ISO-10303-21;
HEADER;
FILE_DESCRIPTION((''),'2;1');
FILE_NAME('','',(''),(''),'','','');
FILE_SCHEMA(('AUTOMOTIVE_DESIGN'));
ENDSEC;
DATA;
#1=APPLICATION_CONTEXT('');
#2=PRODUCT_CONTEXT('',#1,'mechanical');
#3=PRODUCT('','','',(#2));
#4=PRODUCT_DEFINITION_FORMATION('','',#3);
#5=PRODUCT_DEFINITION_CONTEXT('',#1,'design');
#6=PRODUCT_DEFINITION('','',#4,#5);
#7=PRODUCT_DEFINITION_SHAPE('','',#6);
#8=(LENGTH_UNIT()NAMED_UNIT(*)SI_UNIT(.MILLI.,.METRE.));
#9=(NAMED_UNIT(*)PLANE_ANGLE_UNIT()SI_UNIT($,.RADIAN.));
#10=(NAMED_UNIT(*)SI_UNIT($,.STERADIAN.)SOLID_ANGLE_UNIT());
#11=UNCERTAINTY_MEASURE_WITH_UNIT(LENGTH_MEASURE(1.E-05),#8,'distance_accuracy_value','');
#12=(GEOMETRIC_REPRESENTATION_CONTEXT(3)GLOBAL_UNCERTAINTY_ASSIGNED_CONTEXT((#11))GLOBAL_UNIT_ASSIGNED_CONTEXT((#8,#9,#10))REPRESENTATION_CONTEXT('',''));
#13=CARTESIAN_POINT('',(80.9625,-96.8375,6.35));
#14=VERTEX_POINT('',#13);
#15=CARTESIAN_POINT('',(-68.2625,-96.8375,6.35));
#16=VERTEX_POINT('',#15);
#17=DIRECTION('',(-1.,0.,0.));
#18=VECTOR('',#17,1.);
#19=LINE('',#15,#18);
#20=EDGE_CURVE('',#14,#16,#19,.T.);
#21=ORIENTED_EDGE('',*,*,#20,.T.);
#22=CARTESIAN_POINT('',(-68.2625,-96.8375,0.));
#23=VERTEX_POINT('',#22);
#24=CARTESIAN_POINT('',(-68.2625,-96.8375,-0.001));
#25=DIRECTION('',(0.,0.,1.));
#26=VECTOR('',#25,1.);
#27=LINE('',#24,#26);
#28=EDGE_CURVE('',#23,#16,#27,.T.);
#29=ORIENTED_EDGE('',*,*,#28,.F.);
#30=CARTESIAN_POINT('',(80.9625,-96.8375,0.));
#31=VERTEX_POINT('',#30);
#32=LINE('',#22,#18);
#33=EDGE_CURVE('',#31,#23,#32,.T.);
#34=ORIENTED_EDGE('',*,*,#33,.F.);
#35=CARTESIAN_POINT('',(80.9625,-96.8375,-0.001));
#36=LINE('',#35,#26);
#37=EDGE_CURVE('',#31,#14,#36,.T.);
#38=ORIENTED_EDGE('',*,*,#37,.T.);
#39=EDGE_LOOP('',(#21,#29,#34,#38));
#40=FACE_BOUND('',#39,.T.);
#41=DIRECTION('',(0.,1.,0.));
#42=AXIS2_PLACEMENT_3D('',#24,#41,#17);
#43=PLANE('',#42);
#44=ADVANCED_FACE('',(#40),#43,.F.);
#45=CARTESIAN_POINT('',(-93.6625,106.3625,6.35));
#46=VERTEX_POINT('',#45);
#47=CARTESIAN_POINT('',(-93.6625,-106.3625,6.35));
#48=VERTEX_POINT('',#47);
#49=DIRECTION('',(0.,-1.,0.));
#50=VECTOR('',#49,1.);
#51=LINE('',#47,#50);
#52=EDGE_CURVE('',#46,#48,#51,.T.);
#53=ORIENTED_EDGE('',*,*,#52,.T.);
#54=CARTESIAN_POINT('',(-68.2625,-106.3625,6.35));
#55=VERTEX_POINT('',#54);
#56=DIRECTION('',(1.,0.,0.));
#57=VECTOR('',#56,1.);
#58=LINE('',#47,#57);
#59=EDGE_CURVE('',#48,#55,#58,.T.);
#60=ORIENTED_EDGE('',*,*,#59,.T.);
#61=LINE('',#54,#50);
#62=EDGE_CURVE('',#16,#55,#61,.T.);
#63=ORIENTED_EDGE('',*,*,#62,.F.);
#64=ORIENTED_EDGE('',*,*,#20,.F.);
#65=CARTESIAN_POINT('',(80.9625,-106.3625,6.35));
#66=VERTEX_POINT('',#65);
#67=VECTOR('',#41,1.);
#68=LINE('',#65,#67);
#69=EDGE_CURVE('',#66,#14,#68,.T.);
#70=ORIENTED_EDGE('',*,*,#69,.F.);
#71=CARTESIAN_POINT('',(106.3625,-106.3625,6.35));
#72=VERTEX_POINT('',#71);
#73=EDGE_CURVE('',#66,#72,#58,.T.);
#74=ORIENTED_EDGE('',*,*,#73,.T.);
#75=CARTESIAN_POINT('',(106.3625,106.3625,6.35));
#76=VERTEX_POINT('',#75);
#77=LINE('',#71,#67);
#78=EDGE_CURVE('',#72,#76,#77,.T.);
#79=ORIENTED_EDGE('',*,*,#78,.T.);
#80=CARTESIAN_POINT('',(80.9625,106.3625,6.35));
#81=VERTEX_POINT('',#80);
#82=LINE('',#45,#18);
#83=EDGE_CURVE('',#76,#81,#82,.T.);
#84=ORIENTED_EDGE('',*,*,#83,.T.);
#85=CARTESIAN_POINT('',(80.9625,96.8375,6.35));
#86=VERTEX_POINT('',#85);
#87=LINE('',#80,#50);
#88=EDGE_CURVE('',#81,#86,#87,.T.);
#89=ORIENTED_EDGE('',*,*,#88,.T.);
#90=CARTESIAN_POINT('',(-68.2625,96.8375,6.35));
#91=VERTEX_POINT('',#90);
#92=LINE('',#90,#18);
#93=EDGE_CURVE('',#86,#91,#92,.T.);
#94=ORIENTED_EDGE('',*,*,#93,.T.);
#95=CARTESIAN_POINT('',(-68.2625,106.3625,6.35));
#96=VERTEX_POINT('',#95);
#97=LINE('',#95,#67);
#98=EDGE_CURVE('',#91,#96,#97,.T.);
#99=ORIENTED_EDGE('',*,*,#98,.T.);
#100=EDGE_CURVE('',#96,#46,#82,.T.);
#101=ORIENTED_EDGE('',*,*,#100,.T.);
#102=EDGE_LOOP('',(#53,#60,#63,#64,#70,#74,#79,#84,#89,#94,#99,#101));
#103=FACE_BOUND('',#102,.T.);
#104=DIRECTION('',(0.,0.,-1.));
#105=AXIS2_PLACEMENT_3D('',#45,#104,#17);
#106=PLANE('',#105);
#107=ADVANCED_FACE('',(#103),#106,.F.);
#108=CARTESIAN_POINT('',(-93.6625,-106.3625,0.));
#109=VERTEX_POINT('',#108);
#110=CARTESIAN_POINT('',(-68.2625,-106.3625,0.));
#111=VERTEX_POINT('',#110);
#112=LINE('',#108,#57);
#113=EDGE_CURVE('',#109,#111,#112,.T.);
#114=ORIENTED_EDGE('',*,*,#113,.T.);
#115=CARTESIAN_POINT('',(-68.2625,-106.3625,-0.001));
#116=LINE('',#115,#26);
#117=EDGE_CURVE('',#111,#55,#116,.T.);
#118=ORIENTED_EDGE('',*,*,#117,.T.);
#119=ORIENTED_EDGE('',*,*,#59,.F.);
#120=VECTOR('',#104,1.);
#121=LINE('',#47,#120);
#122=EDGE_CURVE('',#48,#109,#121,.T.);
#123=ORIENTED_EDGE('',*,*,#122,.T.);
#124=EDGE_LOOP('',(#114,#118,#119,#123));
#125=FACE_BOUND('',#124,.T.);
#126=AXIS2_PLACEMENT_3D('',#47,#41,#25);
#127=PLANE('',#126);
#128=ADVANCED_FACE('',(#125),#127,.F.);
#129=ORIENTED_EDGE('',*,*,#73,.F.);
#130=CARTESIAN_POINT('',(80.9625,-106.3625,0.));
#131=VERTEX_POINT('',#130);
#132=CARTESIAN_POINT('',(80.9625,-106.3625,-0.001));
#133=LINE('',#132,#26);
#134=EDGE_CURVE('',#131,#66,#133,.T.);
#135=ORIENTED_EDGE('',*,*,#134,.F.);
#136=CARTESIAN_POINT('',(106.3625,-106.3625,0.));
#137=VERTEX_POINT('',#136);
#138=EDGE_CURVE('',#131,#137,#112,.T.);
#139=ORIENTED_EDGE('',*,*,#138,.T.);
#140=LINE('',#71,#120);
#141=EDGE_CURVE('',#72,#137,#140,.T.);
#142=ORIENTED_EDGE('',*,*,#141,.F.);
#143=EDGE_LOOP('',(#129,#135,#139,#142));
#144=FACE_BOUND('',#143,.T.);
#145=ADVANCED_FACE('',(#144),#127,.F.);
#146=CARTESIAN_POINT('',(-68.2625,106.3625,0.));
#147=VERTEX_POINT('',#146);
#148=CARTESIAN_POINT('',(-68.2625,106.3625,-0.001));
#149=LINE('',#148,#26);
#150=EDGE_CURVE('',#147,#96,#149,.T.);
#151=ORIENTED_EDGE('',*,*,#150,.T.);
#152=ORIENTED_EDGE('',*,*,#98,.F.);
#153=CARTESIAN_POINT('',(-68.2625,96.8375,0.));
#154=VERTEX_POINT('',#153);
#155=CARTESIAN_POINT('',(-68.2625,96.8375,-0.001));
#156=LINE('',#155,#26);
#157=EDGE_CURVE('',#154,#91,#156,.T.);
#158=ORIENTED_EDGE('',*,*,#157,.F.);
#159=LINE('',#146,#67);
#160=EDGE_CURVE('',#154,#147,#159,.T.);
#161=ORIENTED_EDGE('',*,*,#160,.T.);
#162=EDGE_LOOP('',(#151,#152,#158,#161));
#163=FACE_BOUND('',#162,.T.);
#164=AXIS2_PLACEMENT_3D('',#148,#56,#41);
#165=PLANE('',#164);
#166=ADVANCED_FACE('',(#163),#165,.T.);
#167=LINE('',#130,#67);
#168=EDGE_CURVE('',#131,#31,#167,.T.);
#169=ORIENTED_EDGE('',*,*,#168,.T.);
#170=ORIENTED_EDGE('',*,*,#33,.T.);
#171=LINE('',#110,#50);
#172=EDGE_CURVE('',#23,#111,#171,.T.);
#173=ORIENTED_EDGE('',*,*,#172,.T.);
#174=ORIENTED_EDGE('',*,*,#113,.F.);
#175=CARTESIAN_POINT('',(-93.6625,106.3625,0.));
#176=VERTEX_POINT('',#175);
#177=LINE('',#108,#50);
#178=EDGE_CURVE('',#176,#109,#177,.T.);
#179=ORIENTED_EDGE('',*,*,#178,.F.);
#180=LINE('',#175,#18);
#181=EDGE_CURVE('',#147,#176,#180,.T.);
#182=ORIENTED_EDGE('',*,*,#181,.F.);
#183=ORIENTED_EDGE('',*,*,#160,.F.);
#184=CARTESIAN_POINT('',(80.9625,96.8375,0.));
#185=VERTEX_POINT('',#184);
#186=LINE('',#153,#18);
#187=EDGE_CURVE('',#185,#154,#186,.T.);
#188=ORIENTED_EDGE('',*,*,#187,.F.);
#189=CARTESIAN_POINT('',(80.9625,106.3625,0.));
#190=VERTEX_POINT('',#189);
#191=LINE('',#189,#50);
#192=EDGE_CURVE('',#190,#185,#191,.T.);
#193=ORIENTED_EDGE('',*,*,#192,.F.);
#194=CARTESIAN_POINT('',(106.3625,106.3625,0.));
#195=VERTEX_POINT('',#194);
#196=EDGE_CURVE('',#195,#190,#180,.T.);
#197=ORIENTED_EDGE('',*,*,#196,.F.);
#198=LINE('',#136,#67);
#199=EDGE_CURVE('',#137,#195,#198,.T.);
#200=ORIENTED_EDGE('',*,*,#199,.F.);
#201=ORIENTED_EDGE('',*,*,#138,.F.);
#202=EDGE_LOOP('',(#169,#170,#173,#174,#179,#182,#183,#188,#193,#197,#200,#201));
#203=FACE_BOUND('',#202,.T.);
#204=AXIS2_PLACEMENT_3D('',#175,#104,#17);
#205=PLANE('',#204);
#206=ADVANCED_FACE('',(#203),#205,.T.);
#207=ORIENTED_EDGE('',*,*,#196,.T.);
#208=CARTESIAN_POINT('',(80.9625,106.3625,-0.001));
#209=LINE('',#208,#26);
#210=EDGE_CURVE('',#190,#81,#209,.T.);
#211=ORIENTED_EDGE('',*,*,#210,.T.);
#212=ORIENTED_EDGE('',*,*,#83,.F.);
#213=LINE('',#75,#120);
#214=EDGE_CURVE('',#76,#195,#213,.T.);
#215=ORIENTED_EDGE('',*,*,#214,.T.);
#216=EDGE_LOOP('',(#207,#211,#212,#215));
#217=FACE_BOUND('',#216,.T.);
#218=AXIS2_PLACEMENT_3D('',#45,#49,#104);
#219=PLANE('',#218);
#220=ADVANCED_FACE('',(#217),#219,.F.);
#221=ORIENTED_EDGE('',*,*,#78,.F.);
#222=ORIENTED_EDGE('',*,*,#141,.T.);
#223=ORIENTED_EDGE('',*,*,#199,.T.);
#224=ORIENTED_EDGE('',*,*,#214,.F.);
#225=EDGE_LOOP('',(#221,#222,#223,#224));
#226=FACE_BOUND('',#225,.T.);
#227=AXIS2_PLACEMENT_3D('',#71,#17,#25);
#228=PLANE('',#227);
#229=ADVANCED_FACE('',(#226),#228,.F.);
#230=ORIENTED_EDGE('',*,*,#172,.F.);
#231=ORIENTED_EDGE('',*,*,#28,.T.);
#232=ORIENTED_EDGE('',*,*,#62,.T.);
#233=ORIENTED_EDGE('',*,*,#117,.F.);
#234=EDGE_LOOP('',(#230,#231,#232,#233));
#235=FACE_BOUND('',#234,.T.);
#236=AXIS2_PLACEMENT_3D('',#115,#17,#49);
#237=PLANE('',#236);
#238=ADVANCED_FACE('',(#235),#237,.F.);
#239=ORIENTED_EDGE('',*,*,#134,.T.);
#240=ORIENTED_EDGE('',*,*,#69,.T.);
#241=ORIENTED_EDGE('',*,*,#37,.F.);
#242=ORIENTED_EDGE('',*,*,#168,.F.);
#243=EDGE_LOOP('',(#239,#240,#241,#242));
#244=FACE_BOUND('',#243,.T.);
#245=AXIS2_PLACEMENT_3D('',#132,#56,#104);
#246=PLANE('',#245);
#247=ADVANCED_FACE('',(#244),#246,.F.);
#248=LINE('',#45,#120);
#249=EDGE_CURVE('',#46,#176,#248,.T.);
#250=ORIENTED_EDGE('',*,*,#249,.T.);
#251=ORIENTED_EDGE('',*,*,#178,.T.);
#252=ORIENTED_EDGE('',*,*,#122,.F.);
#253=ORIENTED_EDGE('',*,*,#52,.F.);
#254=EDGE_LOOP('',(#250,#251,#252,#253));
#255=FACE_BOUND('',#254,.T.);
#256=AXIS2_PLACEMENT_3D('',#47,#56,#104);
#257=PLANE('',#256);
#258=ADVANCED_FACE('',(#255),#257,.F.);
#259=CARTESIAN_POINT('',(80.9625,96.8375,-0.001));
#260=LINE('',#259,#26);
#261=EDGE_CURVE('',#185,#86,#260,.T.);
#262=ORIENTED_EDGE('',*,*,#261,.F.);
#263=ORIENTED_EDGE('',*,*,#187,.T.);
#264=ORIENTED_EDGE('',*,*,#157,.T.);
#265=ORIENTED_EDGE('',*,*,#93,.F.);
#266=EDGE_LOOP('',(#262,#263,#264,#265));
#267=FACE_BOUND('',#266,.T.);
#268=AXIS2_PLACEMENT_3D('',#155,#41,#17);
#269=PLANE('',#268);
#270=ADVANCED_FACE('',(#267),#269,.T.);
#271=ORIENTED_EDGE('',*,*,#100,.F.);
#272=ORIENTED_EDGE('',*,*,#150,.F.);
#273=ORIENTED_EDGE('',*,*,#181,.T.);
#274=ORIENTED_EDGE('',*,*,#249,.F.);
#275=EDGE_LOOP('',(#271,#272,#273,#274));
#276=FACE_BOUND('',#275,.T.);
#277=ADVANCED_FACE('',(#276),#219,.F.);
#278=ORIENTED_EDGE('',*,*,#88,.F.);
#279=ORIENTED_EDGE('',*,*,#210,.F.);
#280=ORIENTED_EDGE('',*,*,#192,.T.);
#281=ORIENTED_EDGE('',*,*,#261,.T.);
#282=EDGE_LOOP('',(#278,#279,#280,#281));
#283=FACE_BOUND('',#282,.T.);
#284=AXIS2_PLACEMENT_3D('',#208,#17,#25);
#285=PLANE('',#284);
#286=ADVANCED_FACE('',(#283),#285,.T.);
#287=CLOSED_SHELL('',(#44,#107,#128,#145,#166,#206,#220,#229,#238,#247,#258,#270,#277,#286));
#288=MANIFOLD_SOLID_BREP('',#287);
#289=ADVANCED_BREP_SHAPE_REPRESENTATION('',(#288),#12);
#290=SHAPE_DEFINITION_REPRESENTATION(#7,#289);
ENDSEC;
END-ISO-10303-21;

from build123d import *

# Parameters (mm, degrees)
SKETCH1_W          = 200.025
SKETCH1_H          = 212.725
EXTRUDE1_DEPTH     = 6.35
CUT_EXTRUDE1_REACH = 152.553
SKETCH2_W          = 149.225
SKETCH2_H          = 9.525


with BuildPart() as part:
    # Sketch1 → Extrude1 (new body)
    with BuildSketch(Plane.XY):
        with Locations((6.35, 0)):
            Rectangle(SKETCH1_W, SKETCH1_H)
    extrude(amount=EXTRUDE1_DEPTH)

    # Sketch2 → Cut-Extrude1 (cut, up to next)
    with BuildSketch(Plane.XY.offset(6.35), mode=Mode.PRIVATE) as cut_extrude1_sk1:
        with Locations((6.35, -101.6)):
            Rectangle(SKETCH2_W, SKETCH2_H)
    cut_extrude1_tool1 = extrude(cut_extrude1_sk1.sketch, amount=-CUT_EXTRUDE1_REACH, mode=Mode.PRIVATE) & part.part
    cut_extrude1 = cut_extrude1_tool1.solids().sort_by_distance((6.35, -101.6, 6.35))[0]
    add(cut_extrude1, mode=Mode.SUBTRACT)

    # Mirror1: Cut-Extrude1 across plane
    add(cut_extrude1.mirror(Plane.ZX), mode=Mode.SUBTRACT)


solid = part.part
